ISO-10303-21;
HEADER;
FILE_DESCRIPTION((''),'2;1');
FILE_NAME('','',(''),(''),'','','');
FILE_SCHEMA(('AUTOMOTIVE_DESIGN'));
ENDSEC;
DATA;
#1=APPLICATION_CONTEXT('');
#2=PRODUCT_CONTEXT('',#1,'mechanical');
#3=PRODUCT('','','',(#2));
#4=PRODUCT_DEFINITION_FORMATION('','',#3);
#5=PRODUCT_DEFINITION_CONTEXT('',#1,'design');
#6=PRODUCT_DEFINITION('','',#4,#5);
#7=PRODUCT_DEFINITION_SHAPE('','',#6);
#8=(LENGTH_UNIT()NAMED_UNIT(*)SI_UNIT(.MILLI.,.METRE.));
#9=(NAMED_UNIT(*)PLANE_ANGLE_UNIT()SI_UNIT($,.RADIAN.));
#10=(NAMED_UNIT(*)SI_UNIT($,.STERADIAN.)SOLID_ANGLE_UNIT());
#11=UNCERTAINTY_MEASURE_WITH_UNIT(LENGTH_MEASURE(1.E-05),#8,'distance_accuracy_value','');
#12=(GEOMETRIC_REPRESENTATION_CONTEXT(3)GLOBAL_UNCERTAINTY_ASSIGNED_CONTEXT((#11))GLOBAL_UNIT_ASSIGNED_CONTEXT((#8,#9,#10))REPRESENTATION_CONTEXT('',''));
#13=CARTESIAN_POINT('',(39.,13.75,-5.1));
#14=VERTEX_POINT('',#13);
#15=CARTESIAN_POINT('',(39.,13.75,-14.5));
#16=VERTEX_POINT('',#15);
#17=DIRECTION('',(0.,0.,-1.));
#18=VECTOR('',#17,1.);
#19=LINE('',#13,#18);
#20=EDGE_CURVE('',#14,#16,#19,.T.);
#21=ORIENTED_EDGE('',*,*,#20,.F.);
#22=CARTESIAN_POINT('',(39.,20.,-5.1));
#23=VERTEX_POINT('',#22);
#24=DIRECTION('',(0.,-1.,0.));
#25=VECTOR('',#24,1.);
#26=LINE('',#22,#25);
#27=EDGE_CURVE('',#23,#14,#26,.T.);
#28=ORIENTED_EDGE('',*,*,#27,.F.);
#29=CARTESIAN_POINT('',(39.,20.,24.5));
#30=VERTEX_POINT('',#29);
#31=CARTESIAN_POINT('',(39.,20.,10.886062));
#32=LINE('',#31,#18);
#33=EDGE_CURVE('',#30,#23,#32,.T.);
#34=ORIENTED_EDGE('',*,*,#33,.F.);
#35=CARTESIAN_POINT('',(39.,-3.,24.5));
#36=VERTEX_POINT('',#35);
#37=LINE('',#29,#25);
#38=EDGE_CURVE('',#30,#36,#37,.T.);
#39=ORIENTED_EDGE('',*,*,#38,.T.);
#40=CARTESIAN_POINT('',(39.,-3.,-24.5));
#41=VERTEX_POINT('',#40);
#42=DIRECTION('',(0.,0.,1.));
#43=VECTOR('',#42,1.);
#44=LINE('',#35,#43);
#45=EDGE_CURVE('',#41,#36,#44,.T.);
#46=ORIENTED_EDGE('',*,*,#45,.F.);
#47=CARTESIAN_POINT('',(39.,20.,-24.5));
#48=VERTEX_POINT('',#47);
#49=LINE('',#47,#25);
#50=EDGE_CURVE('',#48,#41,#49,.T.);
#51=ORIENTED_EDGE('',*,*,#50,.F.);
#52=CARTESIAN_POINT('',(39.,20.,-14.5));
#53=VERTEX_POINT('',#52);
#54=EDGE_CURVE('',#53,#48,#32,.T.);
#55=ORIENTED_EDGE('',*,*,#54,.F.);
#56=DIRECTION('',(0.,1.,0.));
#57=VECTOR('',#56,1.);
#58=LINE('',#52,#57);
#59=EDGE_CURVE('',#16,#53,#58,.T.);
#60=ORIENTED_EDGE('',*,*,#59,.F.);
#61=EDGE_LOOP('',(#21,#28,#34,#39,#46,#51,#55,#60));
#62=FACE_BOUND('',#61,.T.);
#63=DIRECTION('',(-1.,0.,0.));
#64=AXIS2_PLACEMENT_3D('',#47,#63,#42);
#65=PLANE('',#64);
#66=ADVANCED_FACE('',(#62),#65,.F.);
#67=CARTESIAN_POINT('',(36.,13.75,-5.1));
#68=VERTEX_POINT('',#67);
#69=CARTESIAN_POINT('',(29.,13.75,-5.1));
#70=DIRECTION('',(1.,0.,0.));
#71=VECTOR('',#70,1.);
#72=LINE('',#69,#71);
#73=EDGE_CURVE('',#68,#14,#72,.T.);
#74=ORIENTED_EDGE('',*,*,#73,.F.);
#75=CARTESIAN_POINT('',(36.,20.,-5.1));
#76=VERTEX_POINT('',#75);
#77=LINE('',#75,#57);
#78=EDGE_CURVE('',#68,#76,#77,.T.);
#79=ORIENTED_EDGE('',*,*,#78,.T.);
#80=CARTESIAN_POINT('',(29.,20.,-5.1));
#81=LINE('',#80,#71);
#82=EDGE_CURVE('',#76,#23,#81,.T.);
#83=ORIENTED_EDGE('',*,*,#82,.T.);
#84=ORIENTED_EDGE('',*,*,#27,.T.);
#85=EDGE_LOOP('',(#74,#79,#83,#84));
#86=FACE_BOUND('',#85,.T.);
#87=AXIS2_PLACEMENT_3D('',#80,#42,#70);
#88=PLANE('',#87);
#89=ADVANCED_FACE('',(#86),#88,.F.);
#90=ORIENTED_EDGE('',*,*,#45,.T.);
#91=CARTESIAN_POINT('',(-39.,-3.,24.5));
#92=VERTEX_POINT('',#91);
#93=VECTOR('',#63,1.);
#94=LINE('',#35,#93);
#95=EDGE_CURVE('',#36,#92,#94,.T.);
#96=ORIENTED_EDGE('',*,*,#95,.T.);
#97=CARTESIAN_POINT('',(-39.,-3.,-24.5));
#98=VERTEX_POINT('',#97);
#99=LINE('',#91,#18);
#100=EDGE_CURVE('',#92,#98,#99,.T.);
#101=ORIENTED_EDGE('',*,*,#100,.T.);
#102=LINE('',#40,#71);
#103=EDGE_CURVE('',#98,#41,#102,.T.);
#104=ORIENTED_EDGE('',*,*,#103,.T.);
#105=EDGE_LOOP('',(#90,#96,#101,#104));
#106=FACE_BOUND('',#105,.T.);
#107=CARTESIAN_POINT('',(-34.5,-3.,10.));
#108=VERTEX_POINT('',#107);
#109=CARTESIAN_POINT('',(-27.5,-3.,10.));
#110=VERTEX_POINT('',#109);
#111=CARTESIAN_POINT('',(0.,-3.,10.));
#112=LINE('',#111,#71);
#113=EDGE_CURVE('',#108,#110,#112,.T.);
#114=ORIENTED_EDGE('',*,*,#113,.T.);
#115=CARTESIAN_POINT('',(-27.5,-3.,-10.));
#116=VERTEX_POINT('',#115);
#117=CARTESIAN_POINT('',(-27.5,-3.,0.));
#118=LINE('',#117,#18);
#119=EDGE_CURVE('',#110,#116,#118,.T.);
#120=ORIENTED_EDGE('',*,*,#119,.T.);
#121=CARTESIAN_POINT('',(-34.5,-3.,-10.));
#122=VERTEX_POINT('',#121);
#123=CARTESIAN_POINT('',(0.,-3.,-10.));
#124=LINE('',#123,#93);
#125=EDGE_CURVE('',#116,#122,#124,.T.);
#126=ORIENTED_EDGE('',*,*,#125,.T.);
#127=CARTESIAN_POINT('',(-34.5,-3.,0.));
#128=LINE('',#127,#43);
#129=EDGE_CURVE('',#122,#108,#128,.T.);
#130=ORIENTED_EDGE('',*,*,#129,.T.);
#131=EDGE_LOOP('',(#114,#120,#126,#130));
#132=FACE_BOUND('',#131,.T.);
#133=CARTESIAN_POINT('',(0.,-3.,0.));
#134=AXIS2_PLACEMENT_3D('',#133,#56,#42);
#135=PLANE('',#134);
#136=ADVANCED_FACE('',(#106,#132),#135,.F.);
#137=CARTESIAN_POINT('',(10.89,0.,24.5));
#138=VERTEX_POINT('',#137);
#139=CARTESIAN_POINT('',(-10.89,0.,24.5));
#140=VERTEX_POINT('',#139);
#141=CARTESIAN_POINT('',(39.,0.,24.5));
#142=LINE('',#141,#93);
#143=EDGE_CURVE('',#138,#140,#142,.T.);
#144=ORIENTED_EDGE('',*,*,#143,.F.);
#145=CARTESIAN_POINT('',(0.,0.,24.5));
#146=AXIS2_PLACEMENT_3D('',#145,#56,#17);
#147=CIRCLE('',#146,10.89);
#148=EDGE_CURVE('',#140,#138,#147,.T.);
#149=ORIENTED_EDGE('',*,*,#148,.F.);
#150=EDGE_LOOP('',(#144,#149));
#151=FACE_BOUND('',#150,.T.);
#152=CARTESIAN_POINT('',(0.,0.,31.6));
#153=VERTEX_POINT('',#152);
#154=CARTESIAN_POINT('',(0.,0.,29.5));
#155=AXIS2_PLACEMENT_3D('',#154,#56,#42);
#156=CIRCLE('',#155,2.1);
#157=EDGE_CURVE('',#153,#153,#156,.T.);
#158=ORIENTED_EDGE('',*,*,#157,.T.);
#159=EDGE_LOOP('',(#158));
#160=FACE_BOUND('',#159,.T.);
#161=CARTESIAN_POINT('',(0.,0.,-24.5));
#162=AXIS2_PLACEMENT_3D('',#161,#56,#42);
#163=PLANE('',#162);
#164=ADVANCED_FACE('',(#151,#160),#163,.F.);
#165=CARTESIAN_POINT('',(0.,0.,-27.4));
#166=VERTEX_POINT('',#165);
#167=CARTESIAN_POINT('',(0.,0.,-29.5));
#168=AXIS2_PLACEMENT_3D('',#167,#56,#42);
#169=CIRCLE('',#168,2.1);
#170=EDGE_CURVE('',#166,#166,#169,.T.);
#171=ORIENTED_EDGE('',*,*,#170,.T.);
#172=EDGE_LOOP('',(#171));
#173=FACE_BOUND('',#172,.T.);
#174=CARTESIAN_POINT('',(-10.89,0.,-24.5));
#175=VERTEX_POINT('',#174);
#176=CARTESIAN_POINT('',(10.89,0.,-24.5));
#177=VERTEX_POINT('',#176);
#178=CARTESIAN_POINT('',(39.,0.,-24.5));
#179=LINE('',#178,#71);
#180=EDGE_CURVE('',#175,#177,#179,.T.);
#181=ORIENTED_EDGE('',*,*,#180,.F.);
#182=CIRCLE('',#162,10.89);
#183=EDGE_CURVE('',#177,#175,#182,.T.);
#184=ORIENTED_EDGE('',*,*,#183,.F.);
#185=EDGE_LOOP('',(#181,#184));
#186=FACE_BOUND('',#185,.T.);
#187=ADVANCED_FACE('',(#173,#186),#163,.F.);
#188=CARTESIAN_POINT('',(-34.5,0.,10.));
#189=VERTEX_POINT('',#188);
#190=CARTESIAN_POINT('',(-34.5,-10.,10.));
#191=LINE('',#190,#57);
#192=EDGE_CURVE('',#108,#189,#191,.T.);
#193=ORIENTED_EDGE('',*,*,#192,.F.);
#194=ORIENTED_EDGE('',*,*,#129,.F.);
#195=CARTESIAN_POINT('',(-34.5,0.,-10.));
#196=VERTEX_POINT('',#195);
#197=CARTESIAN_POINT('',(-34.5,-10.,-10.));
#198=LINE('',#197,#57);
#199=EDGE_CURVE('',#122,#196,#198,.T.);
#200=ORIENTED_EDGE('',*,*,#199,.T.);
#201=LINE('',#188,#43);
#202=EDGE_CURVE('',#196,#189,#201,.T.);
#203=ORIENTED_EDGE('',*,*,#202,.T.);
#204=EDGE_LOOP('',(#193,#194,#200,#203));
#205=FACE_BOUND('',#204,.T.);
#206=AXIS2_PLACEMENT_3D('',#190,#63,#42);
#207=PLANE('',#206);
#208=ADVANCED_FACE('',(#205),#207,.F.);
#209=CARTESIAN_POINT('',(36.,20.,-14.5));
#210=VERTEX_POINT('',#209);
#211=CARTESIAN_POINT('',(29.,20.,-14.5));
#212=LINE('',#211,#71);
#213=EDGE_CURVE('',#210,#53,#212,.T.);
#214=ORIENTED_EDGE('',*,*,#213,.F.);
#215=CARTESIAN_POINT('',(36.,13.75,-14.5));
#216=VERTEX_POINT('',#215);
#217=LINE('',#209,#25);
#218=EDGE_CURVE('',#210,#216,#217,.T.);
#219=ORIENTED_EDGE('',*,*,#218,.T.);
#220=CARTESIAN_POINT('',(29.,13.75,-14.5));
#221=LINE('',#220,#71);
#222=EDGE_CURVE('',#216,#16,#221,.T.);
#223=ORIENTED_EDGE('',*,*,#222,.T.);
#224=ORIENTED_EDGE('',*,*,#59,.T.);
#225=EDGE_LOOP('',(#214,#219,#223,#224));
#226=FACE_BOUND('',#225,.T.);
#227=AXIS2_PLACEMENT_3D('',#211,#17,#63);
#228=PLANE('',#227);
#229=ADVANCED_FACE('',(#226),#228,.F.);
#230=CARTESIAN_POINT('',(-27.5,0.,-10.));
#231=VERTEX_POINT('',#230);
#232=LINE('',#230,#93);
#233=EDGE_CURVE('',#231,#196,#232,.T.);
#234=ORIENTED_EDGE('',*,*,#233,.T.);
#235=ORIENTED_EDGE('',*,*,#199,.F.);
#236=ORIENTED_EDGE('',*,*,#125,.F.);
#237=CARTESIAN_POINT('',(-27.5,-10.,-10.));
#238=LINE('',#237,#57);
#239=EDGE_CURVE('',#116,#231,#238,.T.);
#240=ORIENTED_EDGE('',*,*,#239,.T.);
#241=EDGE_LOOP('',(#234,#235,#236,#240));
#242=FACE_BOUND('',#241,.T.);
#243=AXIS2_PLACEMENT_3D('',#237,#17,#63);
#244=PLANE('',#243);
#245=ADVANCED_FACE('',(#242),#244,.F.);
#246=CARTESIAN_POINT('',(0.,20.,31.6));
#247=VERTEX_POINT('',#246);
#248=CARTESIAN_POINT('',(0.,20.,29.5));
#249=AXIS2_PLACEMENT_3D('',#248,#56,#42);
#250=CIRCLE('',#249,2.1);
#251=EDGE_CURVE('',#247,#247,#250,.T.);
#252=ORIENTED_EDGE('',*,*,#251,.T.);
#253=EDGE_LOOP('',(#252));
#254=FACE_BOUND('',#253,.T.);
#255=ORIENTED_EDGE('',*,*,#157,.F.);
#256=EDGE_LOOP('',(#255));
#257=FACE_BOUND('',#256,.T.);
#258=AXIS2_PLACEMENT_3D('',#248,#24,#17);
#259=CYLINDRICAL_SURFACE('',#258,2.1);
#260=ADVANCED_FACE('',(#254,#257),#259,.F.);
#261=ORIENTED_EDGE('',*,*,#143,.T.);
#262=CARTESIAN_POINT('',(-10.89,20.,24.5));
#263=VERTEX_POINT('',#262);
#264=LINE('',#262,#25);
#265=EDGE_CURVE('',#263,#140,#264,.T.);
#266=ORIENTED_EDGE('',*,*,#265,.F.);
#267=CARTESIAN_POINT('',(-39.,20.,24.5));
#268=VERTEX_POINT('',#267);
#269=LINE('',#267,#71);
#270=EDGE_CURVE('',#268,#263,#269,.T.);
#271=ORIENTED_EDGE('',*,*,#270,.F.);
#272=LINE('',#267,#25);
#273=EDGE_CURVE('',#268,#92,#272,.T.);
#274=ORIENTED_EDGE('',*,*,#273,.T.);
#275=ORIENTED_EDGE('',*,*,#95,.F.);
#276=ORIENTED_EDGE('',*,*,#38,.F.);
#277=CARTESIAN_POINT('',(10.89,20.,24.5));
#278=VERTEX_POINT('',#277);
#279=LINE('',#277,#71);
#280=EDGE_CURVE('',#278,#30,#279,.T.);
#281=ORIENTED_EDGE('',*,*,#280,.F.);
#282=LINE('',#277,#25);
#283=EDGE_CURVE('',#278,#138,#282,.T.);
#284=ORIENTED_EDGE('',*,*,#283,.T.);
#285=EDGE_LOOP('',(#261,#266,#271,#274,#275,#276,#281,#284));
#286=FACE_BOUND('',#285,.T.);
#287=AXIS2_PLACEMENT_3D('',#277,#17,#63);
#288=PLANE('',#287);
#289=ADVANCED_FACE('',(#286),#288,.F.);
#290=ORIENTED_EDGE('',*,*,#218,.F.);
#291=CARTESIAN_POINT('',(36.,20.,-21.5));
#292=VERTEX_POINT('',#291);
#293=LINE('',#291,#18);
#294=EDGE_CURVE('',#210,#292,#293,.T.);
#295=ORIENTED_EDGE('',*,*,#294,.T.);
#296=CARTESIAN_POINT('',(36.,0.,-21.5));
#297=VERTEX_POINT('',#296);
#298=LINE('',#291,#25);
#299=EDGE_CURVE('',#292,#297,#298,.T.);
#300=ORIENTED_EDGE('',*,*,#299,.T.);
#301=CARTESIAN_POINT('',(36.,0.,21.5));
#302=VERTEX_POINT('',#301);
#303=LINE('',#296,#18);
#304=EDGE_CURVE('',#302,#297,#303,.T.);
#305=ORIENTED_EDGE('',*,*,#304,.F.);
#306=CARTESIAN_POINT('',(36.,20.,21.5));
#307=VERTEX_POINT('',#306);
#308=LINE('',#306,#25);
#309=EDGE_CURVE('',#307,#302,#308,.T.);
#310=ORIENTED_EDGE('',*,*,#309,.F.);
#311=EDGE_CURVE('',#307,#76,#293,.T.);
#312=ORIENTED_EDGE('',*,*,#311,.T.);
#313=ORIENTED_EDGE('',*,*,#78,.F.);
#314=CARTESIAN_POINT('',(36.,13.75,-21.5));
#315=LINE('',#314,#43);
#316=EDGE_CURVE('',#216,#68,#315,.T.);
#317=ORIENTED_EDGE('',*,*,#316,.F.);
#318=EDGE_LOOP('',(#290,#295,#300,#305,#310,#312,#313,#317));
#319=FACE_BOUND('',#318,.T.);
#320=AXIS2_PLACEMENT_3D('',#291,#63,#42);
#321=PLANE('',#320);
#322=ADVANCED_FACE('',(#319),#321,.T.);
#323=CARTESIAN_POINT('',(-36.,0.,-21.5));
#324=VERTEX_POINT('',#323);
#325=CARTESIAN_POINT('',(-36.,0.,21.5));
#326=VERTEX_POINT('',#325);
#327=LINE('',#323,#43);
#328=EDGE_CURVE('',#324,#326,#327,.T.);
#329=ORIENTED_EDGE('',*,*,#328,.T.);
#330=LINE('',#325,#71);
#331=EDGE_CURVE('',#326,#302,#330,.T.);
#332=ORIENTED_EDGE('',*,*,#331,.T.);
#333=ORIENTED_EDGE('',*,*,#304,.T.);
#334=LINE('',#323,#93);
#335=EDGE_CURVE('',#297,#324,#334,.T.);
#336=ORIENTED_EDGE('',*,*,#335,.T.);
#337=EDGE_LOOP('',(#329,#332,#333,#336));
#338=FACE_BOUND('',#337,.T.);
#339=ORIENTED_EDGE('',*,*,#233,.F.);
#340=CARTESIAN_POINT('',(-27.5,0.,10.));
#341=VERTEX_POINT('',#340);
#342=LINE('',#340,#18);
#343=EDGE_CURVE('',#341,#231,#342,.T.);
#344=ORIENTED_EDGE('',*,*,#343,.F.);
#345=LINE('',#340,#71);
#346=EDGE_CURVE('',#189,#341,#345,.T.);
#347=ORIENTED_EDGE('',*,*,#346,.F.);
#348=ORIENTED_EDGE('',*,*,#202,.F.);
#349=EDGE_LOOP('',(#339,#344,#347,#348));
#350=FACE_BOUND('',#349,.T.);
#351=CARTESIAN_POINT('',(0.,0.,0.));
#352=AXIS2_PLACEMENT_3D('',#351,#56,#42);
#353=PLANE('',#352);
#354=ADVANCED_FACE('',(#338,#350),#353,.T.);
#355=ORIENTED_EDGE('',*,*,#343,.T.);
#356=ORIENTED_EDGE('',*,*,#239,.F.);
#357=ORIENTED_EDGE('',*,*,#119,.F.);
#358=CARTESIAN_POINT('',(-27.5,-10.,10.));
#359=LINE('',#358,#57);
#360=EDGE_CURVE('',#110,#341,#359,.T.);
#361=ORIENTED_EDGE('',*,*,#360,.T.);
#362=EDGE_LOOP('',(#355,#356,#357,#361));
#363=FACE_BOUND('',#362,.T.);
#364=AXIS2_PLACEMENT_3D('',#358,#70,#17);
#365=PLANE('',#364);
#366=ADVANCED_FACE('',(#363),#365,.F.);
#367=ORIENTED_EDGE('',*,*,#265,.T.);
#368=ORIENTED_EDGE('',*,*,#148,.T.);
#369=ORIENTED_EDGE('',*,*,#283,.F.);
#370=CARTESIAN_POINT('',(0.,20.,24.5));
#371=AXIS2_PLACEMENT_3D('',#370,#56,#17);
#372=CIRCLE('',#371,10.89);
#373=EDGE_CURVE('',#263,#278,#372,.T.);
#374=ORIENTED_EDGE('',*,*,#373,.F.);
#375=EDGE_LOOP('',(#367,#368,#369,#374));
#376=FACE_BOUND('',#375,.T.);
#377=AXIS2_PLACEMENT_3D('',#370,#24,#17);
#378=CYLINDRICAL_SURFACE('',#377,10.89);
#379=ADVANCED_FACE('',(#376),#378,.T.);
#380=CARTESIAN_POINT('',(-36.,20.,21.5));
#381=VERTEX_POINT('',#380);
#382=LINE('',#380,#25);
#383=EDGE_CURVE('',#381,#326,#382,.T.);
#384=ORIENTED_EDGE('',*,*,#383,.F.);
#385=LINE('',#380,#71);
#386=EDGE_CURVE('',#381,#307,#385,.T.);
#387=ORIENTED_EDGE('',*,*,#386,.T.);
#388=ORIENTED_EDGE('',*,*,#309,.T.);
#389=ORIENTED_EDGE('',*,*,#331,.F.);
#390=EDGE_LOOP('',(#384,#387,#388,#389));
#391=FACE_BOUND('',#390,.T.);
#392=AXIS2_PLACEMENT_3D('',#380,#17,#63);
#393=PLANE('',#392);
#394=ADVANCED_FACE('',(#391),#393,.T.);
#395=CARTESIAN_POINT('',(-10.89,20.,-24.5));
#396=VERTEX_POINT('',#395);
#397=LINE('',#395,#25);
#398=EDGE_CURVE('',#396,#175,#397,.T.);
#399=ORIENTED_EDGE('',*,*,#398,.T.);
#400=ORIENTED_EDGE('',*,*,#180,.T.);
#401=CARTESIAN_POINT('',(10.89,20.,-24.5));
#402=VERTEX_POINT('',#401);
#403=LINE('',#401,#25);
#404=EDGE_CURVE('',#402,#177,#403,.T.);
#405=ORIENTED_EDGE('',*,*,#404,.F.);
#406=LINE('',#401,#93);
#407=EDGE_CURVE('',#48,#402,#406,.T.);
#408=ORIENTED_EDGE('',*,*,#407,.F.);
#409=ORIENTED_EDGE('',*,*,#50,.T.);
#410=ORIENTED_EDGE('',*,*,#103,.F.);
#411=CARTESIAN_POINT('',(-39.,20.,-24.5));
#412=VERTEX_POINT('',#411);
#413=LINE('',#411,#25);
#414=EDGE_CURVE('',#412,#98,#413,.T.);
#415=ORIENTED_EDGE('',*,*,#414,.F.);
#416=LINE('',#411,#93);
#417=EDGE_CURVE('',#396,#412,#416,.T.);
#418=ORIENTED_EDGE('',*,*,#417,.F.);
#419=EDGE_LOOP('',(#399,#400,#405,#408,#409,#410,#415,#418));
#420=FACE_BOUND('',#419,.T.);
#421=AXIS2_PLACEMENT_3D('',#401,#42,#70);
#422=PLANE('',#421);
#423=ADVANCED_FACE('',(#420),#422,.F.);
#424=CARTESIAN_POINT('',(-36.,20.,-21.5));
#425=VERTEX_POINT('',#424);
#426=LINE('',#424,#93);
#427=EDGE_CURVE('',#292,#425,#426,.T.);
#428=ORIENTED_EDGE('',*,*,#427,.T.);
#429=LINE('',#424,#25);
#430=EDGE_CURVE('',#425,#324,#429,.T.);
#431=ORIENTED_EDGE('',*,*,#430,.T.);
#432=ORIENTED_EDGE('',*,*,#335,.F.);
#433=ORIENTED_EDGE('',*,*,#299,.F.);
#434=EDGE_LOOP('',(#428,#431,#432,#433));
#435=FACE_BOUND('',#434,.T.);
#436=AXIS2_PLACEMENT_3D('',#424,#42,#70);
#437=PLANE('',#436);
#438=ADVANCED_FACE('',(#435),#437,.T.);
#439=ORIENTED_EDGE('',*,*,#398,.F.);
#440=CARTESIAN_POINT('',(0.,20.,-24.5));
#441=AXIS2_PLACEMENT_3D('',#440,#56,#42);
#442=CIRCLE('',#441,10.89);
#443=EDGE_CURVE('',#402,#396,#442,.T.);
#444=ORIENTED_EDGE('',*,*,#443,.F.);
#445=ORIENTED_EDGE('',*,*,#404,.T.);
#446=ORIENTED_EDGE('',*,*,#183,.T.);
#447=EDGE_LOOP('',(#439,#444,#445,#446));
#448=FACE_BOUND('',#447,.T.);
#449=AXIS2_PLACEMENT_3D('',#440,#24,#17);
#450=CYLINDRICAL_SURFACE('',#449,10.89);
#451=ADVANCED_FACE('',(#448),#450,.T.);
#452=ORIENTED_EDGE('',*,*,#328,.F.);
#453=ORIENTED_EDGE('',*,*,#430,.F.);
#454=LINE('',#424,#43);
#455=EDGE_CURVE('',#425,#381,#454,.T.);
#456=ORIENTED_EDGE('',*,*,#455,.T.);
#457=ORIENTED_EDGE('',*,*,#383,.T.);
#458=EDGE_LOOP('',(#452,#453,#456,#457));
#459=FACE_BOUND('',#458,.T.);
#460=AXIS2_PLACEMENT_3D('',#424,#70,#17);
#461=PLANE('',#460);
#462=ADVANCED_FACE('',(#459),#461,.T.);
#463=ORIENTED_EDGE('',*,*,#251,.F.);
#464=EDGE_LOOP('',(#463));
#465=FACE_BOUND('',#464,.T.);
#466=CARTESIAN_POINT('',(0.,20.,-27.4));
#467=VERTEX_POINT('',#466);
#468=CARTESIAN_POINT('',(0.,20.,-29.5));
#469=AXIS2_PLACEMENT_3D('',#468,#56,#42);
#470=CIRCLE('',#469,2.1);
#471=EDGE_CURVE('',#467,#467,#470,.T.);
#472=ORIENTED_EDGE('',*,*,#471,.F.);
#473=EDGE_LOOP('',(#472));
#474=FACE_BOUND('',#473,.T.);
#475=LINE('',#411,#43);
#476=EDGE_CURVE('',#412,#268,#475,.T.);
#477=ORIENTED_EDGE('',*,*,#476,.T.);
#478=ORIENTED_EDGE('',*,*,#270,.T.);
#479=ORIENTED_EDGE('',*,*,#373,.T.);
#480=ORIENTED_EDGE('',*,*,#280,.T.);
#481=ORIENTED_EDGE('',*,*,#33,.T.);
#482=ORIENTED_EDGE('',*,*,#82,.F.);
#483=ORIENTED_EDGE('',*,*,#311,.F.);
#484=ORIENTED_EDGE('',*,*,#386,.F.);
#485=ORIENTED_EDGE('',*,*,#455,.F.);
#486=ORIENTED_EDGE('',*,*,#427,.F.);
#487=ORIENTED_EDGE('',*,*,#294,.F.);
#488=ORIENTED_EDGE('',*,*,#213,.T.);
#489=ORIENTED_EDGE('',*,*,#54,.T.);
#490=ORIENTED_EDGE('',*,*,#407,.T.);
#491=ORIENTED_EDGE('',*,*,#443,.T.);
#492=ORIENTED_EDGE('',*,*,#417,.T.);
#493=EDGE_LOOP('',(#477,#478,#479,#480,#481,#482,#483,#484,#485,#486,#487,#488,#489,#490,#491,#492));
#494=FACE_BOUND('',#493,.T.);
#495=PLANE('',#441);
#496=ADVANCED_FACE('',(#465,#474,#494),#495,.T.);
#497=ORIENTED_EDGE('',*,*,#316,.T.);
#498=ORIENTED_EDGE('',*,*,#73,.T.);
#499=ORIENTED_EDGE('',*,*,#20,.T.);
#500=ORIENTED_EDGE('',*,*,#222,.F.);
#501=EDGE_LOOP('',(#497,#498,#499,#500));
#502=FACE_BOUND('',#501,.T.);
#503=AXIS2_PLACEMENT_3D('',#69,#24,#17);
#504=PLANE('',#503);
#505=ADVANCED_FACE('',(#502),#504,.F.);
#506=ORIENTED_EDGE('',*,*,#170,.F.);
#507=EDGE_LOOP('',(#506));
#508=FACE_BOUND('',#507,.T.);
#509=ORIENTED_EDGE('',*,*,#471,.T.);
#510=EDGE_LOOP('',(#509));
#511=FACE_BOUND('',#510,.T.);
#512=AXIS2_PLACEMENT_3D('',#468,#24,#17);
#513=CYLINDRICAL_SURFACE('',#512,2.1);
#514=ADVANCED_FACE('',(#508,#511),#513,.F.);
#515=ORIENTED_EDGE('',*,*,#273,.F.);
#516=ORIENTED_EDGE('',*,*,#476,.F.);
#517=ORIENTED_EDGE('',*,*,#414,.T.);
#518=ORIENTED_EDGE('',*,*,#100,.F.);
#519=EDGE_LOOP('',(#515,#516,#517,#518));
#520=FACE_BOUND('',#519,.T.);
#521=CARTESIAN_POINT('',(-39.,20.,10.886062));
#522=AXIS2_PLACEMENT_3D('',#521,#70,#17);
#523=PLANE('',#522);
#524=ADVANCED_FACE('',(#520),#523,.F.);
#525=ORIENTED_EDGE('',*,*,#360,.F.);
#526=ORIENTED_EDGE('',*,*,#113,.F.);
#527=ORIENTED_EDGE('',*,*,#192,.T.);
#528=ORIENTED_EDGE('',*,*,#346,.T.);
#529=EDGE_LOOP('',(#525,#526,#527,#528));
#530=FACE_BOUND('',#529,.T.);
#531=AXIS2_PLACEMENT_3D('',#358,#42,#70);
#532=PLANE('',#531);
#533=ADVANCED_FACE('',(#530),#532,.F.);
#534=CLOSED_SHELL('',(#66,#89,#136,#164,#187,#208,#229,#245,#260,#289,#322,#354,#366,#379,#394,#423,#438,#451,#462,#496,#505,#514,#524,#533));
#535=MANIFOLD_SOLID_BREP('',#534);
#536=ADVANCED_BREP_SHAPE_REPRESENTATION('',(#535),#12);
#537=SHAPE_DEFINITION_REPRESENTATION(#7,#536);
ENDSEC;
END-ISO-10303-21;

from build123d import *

# Parameters (mm, degrees)
SKETCH1_R           = 2.1
SKETCH1_W           = 72
SKETCH1_H           = 43
BOSS_EXTRUDE1_DEPTH = 20
SKETCH2_W           = 78
SKETCH2_H           = 49
BOSS_EXTRUDE2_DEPTH = 3
SKETCH3_W           = 7
SKETCH3_H           = 20
CUT_EXTRUDE1_DEPTH  = 10
SKETCH4_W           = 9.4
SKETCH4_H           = 6.25
CUT_EXTRUDE2_DEPTH  = 10


with BuildPart() as part:
    # Sketch1 → Boss-Extrude1 (new body)
    with BuildSketch(Plane(origin=(0, 0, 0), x_dir=(1, 0, 0), z_dir=(0, 1, 0))):
        with BuildLine():
            Line((-39, 24.5), (-39, 10.886061931))
            Line((-39, 10.886061931), (-39, -10.886061931))
            Line((-39, -10.886061931), (-39, -24.5))
            Line((-39, -24.5), (-10.89, -24.5))
            ThreePointArc((-10.89, -24.5), (0, -35.39), (10.89, -24.5))
            Line((10.89, -24.5), (39, -24.5))
            Line((39, -24.5), (39, -10.886061931))
            Line((39, -10.886061931), (39, 10.886061931))
            Line((39, 10.886061931), (39, 24.5))
            Line((39, 24.5), (10.89, 24.5))
            ThreePointArc((10.89, 24.5), (0, 35.39), (-10.89, 24.5))
            Line((-10.89, 24.5), (-39, 24.5))
        make_face()
        with Locations(Location((0, -29.5, 0), (0, 0, 270))):
            Circle(SKETCH1_R, mode=Mode.SUBTRACT)
        with Locations(Location((0, 29.5, 0), (0, 0, 270))):
            Circle(SKETCH1_R, mode=Mode.SUBTRACT)
        Rectangle(SKETCH1_W, SKETCH1_H, mode=Mode.SUBTRACT)
    extrude(amount=BOSS_EXTRUDE1_DEPTH)

    # Sketch2 → Boss-Extrude2 (add)
    with BuildSketch(Plane.XZ):
        Rectangle(SKETCH2_W, SKETCH2_H)
    extrude(amount=BOSS_EXTRUDE2_DEPTH)

    # Sketch3 → Cut-Extrude1 (cut)
    with BuildSketch(Plane(origin=(0, 0, 0), x_dir=(1, 0, 0), z_dir=(0, 1, 0))):
        with Locations((-31, 0)):
            Rectangle(SKETCH3_W, SKETCH3_H)
    extrude(amount=-CUT_EXTRUDE1_DEPTH, mode=Mode.SUBTRACT)

    # Sketch4 → Cut-Extrude2 (cut)
    with BuildSketch(Plane(origin=(39, 0, 0), x_dir=(0, 0, -1), z_dir=(1, 0, 0))):
        with Locations((9.8, 16.875)):
            Rectangle(SKETCH4_W, SKETCH4_H)
    extrude(amount=-CUT_EXTRUDE2_DEPTH, mode=Mode.SUBTRACT)


solid = part.part
